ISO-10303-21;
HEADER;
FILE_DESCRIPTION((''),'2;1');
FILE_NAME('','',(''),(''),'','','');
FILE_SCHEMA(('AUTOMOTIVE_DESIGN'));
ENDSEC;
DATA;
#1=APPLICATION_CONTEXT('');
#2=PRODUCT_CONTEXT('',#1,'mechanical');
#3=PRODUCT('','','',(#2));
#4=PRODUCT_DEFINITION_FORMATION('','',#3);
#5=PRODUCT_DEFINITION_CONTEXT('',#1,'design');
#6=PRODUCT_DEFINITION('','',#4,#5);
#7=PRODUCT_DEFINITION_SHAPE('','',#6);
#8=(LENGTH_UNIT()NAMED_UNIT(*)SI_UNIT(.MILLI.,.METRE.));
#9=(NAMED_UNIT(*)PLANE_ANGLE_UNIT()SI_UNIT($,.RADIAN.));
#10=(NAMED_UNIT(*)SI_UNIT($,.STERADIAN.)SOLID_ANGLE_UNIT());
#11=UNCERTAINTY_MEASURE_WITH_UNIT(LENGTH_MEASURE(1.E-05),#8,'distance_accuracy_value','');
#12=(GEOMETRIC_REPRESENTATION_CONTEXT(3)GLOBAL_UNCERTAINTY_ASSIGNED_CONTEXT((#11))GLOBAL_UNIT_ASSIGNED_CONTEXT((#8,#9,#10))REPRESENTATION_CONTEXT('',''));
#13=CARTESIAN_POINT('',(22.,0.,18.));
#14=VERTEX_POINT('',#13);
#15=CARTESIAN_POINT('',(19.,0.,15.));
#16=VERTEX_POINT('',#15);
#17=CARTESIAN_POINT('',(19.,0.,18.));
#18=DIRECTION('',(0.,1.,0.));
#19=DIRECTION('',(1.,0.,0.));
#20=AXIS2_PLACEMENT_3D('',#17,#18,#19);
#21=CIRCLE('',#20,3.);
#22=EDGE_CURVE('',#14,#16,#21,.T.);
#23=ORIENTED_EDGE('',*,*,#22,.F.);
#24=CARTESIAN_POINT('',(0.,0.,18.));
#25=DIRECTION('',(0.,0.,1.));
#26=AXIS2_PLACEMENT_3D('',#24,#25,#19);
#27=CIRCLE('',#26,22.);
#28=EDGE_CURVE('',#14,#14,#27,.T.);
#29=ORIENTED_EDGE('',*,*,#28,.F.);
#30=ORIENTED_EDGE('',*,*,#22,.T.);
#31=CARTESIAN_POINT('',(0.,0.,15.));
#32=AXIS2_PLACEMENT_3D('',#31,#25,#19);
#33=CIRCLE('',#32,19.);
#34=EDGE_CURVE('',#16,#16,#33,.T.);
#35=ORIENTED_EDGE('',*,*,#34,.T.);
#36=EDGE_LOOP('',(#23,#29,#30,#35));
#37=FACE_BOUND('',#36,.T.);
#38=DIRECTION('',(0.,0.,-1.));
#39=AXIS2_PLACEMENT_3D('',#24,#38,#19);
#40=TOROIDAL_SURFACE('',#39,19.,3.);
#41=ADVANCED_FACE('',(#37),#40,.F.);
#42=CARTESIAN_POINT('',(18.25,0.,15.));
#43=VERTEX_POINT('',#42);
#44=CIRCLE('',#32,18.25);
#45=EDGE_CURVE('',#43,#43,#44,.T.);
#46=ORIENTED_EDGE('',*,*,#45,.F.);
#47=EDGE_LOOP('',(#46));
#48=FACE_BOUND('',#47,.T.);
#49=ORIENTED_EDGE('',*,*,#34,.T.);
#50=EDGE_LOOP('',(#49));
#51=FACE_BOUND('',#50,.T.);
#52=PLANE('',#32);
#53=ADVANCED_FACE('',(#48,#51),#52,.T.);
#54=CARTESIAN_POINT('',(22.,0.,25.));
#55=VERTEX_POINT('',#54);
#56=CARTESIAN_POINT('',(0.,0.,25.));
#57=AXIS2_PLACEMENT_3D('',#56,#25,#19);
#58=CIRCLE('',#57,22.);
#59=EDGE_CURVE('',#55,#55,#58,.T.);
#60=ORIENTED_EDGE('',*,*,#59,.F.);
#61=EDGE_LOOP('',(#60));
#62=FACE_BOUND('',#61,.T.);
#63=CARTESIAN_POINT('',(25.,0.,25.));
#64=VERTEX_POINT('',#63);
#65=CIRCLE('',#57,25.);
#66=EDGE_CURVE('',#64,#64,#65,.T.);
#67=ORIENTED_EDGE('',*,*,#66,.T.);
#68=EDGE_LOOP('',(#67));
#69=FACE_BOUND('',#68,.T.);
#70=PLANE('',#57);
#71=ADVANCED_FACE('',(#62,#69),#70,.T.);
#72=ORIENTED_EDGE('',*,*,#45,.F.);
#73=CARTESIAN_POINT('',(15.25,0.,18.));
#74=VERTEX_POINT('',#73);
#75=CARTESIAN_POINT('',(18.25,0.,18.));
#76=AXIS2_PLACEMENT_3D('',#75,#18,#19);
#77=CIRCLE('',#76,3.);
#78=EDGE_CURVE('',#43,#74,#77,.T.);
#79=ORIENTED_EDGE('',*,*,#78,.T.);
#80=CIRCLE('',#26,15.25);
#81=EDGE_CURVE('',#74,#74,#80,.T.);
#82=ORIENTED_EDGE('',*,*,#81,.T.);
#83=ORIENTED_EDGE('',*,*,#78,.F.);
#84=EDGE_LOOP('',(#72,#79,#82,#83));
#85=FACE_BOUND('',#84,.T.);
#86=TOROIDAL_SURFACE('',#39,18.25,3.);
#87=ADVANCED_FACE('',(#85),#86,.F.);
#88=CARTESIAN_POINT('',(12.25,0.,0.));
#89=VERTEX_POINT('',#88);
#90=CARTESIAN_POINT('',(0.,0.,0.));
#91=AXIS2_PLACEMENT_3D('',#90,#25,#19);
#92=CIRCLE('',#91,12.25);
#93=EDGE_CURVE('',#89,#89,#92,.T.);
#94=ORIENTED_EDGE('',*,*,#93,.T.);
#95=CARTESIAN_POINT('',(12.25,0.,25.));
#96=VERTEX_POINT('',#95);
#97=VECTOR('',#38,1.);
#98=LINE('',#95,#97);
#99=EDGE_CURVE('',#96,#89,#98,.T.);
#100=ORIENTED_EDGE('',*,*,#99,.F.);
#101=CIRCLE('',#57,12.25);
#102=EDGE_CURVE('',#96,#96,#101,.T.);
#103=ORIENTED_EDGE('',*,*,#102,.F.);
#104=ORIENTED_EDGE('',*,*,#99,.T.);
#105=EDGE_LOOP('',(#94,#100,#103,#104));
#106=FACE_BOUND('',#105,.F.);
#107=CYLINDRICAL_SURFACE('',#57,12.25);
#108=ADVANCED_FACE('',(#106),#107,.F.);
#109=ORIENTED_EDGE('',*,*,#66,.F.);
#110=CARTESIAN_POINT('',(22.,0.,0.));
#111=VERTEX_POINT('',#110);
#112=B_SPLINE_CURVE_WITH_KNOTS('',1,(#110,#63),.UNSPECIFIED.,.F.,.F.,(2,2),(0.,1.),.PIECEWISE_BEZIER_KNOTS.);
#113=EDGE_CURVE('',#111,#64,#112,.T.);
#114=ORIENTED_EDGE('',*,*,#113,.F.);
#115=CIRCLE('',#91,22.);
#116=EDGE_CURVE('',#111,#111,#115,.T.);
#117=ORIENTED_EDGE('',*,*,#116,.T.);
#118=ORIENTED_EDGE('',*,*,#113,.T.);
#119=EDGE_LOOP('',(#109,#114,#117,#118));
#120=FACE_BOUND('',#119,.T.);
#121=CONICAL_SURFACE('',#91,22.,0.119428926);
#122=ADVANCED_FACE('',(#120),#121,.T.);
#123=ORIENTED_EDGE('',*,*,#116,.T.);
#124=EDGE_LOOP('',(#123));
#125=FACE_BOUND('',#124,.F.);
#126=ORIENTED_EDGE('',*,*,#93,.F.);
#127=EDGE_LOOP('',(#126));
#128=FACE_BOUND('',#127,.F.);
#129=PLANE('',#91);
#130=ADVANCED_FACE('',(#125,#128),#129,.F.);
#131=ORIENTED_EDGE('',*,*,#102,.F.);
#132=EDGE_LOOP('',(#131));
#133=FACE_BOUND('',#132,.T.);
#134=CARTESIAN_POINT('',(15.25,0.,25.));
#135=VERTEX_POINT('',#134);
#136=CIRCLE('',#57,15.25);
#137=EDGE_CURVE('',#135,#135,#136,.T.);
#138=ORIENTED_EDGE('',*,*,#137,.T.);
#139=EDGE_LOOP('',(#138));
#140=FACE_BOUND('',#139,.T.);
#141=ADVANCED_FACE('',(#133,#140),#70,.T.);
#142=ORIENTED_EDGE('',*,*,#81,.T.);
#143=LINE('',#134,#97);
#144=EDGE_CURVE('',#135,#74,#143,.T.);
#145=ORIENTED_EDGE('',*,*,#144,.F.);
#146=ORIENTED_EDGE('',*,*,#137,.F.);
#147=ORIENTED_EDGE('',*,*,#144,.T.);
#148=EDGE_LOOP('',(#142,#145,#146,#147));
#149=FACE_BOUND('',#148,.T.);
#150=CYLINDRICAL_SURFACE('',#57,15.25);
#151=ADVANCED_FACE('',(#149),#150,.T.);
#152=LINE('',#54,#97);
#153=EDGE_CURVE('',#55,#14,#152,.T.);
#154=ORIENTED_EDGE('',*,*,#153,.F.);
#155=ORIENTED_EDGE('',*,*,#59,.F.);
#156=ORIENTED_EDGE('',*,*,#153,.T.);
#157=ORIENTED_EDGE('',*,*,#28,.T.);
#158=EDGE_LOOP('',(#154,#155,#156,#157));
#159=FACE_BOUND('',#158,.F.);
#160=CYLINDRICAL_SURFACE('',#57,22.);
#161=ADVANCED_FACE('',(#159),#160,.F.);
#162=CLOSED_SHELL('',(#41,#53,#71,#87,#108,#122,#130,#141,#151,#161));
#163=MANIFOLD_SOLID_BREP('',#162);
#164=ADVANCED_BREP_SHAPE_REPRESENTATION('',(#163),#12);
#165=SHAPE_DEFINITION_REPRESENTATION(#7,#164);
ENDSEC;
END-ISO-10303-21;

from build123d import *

# Parameters (mm, degrees)
F0_R     = 22
F2_R     = 25
F4_R     = 12.25
F5_DEPTH = 25.001
F4_R_2   = 22
F4_R_3   = 15.25
F6_DEPTH = 10
F7_R     = 3


with BuildPart() as f3:
    # F0 (on Top) → F3 section 0
    with BuildSketch(Plane.XY):
        Circle(F0_R)
    # F2 (on offset) → F3 section 1
    with BuildSketch(Plane.XY.offset(25)):
        Circle(F2_R)
    loft()

    # F4 (on offset) → F5 (cut, through all)
    with BuildSketch(Plane.XY.offset(25)):
        Circle(F4_R)
    extrude(amount=-F5_DEPTH, mode=Mode.SUBTRACT)

    # F4 (on offset) → F6 (cut)
    with BuildSketch(Plane.XY.offset(25)):
        Circle(F4_R_2)
        Circle(F4_R_3, mode=Mode.SUBTRACT)
    extrude(amount=-F6_DEPTH, mode=Mode.SUBTRACT)

    # F7
    f7_edges = [f3.edges().sort_by_distance(p)[0] for p in [
        (-22, 0, 15),
        (-15.25, 0, 15),
    ]]
    fillet(f7_edges, radius=F7_R)


solid = f3.part
